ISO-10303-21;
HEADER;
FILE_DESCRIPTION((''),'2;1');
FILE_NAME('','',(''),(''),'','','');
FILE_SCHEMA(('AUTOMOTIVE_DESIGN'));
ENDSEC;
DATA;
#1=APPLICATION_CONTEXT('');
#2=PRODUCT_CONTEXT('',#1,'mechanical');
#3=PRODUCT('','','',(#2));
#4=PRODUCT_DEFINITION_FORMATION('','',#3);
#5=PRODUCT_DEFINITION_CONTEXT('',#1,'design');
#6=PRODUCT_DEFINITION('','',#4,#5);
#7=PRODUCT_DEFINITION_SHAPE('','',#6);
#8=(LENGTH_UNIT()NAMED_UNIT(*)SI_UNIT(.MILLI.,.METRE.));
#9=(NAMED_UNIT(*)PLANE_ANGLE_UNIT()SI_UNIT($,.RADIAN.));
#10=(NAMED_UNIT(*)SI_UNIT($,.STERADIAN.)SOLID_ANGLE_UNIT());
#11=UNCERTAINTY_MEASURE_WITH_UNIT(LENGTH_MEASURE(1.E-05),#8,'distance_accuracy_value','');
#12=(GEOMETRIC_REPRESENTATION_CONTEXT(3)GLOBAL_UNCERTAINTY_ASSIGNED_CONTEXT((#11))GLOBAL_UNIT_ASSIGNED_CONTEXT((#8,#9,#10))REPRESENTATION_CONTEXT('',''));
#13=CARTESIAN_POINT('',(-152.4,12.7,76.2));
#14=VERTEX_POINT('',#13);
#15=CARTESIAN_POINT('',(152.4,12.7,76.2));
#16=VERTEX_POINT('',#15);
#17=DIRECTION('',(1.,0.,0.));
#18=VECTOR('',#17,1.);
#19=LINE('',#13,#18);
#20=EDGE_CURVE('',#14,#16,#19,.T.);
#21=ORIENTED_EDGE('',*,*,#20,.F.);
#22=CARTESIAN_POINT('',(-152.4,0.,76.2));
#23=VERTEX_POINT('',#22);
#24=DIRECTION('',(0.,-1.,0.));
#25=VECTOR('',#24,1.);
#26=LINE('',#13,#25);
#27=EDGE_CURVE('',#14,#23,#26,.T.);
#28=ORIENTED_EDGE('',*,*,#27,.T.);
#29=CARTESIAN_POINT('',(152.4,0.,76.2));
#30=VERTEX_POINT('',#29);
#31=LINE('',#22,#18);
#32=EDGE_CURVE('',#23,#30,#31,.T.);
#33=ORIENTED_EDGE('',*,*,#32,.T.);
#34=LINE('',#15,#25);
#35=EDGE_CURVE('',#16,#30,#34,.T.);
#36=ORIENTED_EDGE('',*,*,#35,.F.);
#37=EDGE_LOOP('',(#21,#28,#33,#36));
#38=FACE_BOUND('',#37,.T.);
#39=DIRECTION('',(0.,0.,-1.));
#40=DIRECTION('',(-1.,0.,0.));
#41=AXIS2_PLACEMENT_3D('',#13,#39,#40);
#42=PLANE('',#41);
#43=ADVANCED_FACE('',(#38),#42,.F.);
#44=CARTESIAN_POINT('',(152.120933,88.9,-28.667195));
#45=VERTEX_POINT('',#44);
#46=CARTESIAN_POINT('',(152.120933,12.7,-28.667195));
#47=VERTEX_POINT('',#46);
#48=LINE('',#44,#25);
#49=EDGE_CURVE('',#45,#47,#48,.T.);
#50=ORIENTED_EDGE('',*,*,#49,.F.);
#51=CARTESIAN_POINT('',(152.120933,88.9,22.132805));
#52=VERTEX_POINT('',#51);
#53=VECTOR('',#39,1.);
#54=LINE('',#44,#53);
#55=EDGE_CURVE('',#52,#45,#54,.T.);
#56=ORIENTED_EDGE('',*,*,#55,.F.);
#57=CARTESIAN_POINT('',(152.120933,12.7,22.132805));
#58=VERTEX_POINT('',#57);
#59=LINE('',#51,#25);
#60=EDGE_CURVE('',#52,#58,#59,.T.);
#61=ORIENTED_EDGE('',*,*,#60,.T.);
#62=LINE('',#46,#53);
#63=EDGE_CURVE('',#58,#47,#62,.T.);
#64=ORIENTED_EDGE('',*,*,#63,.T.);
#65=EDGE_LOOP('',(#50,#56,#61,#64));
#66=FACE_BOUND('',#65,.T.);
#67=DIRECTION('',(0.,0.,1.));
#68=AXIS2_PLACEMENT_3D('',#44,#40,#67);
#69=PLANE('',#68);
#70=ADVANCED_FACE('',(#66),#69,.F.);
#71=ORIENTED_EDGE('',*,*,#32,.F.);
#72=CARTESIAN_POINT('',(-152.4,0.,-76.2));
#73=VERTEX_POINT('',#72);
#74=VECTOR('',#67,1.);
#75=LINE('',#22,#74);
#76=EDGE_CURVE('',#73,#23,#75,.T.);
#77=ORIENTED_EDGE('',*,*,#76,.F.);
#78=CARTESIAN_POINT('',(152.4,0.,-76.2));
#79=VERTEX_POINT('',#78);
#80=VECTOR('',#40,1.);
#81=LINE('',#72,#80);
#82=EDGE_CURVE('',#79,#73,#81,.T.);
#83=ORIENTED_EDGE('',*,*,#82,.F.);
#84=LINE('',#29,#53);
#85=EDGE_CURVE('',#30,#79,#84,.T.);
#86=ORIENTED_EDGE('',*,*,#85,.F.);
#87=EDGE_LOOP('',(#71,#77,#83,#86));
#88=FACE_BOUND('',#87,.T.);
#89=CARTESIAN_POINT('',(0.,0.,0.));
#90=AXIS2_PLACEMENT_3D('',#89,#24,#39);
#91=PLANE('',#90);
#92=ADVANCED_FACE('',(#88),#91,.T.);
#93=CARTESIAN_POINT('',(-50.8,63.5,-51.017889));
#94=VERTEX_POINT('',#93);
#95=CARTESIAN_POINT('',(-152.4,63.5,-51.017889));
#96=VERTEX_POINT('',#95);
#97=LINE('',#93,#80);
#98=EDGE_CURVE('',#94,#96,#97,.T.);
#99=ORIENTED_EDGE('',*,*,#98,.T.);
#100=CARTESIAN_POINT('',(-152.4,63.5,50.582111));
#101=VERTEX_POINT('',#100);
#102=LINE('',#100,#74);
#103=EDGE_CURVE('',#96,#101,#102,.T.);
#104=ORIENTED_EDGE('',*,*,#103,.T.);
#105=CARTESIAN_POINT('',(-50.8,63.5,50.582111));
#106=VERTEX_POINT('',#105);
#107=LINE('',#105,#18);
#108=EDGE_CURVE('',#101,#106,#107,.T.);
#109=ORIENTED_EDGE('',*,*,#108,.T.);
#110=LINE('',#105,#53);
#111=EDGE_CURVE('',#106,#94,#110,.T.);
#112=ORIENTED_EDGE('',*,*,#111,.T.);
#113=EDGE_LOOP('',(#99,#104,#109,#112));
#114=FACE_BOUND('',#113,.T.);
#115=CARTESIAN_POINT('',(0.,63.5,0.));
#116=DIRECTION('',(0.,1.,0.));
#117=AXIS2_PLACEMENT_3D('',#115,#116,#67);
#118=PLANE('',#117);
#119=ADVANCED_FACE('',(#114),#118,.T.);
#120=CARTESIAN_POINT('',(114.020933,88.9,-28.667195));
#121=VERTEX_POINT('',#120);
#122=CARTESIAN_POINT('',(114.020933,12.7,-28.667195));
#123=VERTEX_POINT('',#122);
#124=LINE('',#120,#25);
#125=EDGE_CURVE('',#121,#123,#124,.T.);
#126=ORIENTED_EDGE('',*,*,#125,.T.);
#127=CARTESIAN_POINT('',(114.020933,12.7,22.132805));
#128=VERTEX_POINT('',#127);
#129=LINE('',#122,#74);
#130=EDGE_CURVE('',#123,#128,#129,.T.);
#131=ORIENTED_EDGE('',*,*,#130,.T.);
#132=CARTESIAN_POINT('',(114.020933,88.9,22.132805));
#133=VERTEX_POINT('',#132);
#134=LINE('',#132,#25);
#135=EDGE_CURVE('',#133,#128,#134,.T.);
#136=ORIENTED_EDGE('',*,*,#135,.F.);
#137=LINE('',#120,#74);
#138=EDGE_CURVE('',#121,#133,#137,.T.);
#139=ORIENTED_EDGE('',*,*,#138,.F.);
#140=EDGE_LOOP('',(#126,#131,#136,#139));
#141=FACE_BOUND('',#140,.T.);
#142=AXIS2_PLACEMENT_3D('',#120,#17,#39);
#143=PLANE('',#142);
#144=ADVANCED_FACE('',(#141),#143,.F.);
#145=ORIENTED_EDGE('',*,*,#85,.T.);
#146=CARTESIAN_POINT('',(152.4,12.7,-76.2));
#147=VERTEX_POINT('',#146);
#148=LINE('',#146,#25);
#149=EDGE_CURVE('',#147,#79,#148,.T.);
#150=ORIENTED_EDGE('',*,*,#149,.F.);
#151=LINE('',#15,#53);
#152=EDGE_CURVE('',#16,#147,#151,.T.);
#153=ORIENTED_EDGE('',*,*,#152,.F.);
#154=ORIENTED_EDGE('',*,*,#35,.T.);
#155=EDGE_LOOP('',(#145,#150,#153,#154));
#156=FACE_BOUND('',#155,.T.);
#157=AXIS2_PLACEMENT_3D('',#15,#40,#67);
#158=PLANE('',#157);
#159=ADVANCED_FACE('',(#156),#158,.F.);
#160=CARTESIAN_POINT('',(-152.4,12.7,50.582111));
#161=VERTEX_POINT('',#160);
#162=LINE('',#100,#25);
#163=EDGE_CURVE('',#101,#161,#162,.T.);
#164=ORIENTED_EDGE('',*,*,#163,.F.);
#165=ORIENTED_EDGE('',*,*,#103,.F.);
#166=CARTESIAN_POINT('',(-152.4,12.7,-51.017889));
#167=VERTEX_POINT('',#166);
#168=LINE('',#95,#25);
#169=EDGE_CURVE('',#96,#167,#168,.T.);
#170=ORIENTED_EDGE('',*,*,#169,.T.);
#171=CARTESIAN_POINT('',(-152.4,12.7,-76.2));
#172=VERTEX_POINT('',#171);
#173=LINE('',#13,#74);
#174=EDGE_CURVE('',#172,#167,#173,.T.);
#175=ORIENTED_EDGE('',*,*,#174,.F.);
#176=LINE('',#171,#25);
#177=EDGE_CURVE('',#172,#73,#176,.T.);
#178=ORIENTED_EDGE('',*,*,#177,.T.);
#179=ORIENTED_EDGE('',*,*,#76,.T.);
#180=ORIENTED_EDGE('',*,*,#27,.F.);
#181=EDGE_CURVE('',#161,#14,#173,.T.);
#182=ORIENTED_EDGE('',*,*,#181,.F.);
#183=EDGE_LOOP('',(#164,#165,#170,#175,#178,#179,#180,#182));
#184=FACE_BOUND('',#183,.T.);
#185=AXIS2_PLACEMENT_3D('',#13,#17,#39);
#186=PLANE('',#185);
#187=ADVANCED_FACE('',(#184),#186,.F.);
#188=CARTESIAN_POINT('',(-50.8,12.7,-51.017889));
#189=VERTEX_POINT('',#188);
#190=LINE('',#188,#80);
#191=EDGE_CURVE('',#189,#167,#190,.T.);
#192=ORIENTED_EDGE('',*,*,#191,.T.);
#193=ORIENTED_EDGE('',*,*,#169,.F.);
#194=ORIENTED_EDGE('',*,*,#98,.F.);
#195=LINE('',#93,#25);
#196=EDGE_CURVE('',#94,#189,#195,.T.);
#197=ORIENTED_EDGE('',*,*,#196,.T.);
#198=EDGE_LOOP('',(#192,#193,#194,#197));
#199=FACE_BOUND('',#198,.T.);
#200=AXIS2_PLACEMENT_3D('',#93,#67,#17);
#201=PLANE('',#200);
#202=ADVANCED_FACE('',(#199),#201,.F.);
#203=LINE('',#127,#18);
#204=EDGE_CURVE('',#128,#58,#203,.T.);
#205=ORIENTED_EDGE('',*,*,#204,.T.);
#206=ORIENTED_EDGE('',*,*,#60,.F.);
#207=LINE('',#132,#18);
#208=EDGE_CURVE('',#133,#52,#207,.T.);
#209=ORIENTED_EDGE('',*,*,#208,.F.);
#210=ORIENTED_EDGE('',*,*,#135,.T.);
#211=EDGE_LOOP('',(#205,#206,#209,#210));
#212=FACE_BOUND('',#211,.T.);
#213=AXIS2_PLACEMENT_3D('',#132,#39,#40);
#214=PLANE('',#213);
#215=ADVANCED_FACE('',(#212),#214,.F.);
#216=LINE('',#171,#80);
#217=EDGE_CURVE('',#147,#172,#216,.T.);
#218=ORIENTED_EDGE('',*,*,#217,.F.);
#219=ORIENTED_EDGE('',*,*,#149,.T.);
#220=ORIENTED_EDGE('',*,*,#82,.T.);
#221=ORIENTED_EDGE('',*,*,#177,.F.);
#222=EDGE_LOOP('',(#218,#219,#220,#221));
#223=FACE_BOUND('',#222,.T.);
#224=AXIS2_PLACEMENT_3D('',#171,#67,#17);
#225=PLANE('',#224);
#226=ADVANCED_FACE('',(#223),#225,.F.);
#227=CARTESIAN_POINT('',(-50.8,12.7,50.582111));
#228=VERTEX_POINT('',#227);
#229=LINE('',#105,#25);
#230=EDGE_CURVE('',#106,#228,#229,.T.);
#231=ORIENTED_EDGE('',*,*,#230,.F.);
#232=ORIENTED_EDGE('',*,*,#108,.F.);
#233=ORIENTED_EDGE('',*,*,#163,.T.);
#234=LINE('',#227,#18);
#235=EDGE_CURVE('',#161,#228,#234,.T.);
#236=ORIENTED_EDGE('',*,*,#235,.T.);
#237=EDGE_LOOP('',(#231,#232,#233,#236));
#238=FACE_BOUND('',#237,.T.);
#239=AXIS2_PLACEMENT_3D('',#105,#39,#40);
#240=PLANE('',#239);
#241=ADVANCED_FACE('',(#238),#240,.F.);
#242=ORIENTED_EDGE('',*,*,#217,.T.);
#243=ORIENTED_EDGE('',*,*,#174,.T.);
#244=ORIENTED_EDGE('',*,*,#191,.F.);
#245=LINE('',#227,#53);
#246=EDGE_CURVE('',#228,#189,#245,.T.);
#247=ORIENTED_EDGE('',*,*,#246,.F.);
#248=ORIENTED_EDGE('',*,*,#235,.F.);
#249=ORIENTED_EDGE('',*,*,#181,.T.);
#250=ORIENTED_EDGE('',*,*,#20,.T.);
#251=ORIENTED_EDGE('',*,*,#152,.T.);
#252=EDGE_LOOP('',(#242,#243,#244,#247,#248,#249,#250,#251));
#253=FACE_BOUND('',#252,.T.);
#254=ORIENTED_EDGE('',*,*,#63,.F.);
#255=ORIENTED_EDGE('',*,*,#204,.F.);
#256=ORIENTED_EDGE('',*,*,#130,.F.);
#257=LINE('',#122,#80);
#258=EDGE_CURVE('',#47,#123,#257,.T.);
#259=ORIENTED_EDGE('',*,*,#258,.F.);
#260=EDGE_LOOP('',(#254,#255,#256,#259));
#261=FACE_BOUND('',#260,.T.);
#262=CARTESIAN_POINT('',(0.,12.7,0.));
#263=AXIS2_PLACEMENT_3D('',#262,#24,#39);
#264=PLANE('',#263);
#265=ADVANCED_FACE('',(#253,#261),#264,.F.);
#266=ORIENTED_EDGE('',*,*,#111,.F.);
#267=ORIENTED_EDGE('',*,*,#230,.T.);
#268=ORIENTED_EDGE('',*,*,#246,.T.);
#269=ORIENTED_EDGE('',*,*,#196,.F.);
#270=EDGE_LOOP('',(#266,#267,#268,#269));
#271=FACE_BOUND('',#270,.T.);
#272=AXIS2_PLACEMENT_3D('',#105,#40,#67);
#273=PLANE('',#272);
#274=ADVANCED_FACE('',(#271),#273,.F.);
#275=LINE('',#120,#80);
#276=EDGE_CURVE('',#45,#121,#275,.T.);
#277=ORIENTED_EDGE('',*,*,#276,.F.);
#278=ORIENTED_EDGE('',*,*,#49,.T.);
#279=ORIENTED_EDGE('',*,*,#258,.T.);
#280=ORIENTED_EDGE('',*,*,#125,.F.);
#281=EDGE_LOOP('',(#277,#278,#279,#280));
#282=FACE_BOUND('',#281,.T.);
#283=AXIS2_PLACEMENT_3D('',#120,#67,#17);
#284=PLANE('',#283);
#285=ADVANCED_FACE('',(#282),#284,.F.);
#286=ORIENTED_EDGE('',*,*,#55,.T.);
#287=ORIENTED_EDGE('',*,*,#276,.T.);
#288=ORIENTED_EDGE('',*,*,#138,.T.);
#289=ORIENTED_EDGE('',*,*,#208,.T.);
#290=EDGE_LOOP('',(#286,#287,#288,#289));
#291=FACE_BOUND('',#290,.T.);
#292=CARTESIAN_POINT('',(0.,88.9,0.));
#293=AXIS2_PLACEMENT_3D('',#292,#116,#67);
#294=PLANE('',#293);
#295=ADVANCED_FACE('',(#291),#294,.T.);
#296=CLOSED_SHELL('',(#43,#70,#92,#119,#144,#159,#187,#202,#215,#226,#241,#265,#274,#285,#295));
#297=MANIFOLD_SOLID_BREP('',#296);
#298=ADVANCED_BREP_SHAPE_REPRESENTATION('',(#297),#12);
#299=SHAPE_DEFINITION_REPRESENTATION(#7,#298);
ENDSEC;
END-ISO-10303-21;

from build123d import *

# Parameters (mm, degrees)
SKETCH1_W           = 304.8
SKETCH1_H           = 152.4
BOSS_EXTRUDE1_DEPTH = 12.7
SKETCH2_W           = 38.1
SKETCH2_H           = 50.8
BOSS_EXTRUDE2_DEPTH = 76.2
SKETCH3_W           = 101.6
SKETCH3_H           = 101.6
BOSS_EXTRUDE3_DEPTH = 50.8


with BuildPart() as part:
    # Sketch1 → Boss-Extrude1 (new body)
    with BuildSketch(Plane(origin=(0, 0, 0), x_dir=(1, 0, 0), z_dir=(0, 1, 0))):
        Rectangle(SKETCH1_W, SKETCH1_H)
    extrude(amount=BOSS_EXTRUDE1_DEPTH)

    # Sketch2 → Boss-Extrude2 (add)
    with BuildSketch(Plane(origin=(0, 12.7, 0), x_dir=(1, 0, 0), z_dir=(0, 1, 0))):
        with Locations((133.070932654, 3.267194716)):
            Rectangle(SKETCH2_W, SKETCH2_H)
    extrude(amount=BOSS_EXTRUDE2_DEPTH)

    # Sketch3 → Boss-Extrude3 (add)
    with BuildSketch(Plane(origin=(0, 12.7, 0), x_dir=(1, 0, 0), z_dir=(0, 1, 0))):
        with Locations((-101.6, 0.217888901)):
            Rectangle(SKETCH3_W, SKETCH3_H)
    extrude(amount=BOSS_EXTRUDE3_DEPTH)


solid = part.part
